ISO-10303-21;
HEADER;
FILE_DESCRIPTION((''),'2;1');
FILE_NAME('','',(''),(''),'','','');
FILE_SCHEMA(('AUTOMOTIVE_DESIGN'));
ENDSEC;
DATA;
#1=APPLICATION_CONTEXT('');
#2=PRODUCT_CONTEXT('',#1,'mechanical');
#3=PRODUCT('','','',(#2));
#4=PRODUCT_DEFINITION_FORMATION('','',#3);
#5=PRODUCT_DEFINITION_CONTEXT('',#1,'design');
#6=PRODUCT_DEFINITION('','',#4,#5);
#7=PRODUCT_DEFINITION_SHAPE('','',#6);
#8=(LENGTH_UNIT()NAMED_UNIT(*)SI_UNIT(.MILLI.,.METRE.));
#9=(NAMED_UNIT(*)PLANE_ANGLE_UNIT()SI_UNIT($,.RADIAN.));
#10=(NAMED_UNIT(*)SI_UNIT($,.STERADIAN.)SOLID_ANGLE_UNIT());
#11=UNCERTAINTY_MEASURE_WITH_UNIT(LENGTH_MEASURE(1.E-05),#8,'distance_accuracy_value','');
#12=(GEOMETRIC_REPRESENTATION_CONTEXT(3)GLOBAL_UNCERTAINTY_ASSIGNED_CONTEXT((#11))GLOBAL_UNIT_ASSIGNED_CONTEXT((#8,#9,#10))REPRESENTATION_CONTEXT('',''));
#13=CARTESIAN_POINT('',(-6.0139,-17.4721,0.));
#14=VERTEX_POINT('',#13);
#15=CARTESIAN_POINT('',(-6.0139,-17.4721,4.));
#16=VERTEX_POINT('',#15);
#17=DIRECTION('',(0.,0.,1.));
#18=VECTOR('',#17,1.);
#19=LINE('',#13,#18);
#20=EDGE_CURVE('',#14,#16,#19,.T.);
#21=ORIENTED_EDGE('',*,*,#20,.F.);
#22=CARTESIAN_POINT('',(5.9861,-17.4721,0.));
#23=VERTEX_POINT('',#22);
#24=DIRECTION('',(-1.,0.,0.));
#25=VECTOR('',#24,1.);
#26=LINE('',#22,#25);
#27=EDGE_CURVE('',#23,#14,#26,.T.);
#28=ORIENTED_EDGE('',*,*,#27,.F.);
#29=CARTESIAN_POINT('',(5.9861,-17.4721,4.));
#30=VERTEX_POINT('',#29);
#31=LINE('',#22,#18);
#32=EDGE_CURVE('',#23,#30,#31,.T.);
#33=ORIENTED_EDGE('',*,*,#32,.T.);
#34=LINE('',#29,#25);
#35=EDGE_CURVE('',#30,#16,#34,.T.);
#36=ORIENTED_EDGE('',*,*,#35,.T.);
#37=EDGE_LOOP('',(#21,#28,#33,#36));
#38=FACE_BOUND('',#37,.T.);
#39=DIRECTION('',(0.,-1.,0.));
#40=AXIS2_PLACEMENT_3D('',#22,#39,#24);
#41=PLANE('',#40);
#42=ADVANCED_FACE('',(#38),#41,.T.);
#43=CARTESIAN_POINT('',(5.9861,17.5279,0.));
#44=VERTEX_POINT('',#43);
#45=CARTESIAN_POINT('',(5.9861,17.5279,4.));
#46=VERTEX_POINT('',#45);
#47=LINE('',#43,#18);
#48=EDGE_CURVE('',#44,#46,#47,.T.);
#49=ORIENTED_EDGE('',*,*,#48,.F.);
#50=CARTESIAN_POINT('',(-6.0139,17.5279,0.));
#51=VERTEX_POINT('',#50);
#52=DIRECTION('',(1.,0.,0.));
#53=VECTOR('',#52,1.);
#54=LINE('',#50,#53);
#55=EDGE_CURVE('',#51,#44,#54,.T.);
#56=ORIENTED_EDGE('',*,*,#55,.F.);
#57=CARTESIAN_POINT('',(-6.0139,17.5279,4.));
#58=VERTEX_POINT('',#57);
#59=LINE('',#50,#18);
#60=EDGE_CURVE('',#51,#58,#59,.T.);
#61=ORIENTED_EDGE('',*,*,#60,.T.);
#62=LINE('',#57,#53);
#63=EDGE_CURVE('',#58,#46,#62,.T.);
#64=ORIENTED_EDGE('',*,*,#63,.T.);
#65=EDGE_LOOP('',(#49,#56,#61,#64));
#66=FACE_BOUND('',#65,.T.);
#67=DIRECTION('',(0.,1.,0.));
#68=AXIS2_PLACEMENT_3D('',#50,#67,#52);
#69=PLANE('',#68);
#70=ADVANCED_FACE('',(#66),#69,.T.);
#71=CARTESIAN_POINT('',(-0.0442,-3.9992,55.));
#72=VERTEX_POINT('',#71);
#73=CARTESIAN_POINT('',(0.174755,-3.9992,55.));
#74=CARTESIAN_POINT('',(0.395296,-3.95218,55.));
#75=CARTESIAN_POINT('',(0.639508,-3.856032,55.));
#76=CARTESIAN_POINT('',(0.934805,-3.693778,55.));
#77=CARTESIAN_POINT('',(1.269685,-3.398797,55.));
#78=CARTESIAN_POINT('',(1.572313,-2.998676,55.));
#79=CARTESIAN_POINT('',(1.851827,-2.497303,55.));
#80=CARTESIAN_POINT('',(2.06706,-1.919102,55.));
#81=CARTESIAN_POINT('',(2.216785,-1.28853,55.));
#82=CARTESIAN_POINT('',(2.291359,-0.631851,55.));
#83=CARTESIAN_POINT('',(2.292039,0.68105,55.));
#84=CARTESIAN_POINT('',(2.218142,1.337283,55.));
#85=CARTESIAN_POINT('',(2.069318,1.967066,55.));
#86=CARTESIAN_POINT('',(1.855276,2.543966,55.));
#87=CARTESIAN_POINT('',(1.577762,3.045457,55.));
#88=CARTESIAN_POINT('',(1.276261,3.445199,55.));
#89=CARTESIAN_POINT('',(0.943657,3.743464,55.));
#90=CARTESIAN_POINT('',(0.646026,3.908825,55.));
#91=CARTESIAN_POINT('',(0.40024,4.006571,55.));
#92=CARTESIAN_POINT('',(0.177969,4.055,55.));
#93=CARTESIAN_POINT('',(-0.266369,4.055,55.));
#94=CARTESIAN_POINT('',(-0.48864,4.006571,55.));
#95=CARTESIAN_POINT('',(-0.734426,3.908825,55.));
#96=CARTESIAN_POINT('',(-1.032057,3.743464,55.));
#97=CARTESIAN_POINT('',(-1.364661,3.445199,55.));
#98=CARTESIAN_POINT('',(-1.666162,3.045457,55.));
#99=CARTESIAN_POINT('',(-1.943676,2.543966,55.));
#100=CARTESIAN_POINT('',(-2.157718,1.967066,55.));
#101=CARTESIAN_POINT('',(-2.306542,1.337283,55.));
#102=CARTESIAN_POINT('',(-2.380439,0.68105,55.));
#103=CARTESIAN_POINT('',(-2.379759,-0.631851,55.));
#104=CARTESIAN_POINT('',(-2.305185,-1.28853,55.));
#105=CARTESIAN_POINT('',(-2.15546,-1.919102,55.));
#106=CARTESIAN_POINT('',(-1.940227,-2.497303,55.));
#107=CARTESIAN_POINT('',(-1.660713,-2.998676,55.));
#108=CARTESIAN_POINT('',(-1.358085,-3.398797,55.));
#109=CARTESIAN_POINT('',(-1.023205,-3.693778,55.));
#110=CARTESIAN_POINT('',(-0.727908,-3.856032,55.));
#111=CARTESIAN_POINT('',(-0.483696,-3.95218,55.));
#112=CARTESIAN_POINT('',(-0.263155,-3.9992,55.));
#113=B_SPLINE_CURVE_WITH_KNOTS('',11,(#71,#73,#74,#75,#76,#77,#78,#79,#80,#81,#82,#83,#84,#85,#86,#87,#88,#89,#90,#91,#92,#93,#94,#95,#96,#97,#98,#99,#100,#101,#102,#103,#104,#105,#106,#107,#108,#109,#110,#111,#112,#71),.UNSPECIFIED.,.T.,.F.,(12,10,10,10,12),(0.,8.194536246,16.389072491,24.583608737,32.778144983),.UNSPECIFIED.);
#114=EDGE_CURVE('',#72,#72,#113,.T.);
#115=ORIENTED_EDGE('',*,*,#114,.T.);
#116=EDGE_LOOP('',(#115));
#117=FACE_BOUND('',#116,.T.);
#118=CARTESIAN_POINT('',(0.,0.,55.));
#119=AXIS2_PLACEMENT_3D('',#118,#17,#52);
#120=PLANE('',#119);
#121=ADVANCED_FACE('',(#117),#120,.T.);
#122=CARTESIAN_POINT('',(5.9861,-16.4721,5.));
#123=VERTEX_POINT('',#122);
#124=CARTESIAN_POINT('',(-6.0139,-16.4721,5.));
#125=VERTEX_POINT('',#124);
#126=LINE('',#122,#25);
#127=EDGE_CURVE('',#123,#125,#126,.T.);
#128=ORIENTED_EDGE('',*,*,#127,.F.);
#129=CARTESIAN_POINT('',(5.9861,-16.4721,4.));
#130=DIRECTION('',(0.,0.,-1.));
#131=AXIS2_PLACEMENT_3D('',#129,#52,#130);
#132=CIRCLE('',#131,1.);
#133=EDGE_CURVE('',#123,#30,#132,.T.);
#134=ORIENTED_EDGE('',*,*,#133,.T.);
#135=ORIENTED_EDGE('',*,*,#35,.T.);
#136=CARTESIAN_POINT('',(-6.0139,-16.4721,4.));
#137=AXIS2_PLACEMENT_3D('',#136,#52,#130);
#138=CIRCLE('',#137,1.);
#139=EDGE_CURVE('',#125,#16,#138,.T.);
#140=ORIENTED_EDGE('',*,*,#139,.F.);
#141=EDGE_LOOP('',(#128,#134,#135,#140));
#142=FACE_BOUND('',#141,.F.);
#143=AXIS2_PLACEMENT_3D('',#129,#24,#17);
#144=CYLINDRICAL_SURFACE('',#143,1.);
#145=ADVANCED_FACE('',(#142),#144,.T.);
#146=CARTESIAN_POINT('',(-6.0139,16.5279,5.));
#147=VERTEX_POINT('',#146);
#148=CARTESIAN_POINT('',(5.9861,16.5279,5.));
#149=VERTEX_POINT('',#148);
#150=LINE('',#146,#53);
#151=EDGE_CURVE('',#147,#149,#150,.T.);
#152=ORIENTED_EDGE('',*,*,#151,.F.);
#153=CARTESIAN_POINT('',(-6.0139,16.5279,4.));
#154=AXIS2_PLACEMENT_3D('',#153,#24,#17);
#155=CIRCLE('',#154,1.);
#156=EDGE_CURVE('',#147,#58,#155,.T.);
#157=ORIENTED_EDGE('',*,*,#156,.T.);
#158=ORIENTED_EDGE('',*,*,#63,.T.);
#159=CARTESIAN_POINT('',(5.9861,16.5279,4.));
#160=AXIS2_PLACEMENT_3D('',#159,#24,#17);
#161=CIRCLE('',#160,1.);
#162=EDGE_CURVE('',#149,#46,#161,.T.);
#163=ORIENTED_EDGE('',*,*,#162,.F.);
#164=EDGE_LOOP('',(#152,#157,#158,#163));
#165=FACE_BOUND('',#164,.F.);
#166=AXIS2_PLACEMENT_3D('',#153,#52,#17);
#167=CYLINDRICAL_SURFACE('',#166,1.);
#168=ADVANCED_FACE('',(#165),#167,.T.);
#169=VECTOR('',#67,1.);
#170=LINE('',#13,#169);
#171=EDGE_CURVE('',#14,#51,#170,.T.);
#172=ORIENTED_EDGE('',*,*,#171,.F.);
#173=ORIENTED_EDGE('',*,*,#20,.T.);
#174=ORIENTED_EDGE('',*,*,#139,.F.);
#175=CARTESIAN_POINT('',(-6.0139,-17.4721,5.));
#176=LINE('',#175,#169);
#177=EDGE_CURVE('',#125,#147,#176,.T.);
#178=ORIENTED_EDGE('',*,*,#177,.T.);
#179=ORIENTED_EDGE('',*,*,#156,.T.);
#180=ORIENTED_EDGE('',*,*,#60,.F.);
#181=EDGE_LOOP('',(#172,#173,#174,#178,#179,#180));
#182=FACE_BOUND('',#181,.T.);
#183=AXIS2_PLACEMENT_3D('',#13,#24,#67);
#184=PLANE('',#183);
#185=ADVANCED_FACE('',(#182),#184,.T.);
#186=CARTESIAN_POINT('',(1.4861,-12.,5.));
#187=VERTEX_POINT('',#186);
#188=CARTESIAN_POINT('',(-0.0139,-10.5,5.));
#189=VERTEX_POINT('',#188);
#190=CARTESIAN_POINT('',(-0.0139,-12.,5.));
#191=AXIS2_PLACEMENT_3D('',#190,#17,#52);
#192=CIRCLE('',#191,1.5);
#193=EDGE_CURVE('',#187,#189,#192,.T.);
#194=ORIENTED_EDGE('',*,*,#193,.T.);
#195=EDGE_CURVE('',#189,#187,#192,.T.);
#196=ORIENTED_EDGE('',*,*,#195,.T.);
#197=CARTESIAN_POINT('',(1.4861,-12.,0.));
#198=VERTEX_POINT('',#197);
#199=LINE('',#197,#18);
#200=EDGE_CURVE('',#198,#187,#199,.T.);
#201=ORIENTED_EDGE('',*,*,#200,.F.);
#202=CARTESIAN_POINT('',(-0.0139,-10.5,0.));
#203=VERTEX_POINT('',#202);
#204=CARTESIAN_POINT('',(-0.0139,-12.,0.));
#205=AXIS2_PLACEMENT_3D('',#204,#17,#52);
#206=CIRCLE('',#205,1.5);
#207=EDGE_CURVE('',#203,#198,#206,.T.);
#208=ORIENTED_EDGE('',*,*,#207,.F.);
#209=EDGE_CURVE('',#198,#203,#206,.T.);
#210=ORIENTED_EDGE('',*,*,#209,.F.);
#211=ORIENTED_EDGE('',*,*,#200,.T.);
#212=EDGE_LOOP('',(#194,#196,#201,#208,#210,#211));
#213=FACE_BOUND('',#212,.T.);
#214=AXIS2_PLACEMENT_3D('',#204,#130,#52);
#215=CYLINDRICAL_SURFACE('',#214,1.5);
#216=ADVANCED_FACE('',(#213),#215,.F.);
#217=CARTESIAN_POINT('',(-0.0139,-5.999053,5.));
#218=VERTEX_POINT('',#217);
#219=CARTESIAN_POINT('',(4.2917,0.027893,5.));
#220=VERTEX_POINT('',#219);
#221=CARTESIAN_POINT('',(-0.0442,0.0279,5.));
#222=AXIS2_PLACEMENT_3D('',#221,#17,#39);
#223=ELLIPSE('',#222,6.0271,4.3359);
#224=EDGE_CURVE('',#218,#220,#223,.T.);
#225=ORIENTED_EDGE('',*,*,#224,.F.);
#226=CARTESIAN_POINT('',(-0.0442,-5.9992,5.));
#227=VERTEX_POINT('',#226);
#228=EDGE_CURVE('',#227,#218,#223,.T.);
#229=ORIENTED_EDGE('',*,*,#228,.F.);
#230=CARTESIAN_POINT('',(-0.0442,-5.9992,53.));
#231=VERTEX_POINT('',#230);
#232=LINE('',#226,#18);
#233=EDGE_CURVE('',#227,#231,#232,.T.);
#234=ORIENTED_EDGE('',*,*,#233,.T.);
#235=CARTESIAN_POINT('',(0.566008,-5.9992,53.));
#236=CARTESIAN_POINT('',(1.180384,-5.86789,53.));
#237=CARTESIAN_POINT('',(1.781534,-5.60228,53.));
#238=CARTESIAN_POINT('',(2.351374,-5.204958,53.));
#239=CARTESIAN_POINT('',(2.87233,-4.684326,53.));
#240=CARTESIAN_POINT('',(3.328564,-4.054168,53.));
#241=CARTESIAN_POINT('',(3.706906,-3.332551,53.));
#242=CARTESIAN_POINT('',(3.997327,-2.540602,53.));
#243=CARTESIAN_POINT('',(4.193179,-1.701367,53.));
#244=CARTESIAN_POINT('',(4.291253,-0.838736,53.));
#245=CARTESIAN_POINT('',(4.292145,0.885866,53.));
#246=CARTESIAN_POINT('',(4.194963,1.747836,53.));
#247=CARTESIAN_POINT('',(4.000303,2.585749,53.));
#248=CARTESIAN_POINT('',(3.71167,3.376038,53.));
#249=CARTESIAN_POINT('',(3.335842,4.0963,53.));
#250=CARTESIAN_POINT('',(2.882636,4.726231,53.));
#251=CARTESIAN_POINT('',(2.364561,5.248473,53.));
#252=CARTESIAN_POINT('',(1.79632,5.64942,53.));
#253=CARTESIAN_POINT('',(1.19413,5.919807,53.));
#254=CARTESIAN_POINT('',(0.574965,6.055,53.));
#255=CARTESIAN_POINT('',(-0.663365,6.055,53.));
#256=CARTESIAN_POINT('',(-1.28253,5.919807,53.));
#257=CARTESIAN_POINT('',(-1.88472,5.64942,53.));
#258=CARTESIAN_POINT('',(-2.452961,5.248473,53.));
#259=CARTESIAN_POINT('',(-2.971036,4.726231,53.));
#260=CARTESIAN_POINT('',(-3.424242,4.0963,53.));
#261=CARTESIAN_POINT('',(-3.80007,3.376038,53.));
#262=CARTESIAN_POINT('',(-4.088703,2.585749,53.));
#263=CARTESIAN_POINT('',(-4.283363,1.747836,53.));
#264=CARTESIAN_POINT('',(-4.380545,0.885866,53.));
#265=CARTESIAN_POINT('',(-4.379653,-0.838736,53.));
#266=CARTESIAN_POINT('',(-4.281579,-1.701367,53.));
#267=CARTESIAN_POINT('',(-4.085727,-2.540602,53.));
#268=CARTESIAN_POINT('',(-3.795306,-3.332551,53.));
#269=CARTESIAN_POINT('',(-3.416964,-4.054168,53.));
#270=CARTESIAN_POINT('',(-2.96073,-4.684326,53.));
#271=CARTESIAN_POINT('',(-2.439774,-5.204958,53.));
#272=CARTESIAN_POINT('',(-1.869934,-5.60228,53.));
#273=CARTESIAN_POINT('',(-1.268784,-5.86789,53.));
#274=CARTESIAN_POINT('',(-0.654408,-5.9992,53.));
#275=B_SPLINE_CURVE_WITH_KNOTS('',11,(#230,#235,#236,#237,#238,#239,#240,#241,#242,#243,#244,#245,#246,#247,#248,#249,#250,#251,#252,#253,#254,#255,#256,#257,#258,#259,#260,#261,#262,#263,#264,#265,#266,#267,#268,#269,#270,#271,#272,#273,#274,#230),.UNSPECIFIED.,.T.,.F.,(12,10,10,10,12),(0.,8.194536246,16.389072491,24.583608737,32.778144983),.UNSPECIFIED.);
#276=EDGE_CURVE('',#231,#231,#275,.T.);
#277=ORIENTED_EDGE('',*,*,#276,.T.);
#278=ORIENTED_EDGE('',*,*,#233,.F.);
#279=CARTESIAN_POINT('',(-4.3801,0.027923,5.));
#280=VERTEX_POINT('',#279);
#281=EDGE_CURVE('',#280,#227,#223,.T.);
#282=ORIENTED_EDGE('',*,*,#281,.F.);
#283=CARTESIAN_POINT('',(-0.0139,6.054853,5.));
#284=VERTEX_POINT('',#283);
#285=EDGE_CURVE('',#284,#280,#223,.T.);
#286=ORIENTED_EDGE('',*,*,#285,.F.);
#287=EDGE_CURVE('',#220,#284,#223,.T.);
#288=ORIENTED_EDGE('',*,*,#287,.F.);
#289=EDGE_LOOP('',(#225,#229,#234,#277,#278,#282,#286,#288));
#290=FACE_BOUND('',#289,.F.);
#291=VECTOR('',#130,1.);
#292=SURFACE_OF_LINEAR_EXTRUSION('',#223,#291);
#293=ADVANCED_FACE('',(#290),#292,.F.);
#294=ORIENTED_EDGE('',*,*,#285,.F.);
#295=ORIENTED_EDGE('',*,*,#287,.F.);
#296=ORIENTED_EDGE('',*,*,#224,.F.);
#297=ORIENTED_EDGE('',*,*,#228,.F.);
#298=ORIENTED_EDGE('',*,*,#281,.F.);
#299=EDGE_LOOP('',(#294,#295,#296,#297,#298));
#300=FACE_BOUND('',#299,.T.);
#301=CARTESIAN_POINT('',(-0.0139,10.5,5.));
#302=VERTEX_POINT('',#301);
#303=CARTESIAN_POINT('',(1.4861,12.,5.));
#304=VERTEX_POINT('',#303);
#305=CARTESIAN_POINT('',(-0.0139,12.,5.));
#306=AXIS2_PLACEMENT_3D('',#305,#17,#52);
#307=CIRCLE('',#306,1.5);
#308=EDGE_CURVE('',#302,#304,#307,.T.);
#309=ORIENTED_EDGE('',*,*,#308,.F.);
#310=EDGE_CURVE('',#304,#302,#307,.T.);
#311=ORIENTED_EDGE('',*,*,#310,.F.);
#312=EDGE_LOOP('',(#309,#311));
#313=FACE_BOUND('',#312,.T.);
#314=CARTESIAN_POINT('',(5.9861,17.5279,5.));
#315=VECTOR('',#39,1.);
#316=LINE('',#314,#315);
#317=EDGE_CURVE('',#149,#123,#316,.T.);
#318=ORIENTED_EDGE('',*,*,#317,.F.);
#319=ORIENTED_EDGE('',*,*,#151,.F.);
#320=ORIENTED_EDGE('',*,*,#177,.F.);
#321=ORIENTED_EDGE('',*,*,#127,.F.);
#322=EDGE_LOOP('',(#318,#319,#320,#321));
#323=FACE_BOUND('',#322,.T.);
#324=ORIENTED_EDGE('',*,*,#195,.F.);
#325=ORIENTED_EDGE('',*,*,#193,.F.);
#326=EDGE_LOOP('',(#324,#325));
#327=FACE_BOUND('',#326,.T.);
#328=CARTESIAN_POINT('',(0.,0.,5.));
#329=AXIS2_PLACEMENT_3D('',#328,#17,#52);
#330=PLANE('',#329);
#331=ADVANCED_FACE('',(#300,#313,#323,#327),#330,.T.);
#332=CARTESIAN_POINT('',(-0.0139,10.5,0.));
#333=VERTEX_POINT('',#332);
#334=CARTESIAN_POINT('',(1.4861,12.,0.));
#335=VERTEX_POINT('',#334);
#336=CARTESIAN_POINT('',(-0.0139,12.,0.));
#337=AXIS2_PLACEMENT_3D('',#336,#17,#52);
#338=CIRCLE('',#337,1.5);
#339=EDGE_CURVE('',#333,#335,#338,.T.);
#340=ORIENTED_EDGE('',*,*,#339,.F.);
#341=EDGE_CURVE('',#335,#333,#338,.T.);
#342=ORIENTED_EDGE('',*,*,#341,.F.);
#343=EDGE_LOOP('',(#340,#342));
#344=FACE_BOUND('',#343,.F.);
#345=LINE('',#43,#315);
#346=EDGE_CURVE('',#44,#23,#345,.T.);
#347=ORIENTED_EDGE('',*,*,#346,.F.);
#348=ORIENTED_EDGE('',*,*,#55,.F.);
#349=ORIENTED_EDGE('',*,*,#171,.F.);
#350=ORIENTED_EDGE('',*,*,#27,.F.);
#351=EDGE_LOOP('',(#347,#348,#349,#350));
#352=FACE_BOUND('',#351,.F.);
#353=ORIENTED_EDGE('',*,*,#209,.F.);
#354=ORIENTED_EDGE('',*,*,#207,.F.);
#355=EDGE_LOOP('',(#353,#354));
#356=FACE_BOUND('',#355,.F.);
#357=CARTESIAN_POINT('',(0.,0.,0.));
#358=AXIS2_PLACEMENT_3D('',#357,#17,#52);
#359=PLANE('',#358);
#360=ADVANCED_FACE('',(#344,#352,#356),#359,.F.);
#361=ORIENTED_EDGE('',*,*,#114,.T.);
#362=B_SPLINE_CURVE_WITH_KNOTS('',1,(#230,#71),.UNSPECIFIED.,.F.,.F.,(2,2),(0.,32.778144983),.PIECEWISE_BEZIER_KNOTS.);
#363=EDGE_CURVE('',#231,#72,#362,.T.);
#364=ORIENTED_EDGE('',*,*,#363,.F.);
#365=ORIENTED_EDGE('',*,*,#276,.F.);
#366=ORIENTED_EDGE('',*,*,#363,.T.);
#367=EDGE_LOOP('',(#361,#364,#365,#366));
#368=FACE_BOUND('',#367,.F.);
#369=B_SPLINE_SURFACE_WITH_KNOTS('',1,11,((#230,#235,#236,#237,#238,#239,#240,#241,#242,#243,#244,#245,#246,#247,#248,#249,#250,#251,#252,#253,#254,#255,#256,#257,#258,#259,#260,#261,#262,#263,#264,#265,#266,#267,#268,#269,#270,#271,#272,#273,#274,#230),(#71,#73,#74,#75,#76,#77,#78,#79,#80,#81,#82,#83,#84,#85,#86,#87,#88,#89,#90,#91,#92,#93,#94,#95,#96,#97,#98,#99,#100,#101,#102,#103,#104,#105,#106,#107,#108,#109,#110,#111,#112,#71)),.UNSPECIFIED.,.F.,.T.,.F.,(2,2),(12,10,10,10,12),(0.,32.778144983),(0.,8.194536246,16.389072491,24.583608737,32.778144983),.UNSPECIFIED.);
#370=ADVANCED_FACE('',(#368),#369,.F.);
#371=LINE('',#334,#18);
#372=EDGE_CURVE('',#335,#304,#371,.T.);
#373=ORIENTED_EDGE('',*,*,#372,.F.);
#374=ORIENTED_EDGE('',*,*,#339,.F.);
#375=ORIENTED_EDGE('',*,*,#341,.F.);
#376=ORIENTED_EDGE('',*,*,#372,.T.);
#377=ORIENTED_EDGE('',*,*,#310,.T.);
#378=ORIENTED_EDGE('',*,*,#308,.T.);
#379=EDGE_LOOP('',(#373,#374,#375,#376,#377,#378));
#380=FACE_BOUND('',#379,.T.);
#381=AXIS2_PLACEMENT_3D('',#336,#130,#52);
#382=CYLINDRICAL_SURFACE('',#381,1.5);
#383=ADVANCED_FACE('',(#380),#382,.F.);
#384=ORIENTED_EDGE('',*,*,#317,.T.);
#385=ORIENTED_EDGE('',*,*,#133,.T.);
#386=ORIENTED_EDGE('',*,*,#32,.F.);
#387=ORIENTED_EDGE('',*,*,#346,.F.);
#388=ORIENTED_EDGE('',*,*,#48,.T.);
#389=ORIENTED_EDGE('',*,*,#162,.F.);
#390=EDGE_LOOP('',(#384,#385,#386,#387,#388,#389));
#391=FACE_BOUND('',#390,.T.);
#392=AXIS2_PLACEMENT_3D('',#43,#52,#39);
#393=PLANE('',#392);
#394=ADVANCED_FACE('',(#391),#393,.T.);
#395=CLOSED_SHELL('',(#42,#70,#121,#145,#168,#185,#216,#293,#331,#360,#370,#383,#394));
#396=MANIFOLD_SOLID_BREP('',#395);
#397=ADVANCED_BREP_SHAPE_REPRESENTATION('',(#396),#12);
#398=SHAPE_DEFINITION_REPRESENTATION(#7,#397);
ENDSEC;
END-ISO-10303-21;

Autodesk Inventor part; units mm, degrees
ref_plane "YZ Plane" through (0, 0, 0) normal (1, 0, 0) x (0, 1, 0)
ref_plane "XZ Plane" through (0, 0, 0) normal (0, 1, 0) x (-1, 0, 0)
ref_plane "XY Plane" through (0, 0, 0) normal (0, 0, 1) x (1, 0, 0)
sketch "Sketch1" plane through (0, 0, 0) normal (0, 0, 1) x (1, 0, 0)
  circle A0 centre (-0.0139, -12) radius 1.5
  circle A1 centre (-0.0139, 12) radius 1.5
  line L0 (-6.0139, 17.5279) -> (5.9861, 17.5279)
  line L1 (5.9861, 17.5279) -> (5.9861, -17.4721)
  line L2 (5.9861, -17.4721) -> (-6.0139, -17.4721)
  line L3 (-6.0139, -17.4721) -> (-6.0139, 17.5279)
  line L4 (-0.0139, 12) -> (-0.0139, -12)
  line L5 (-0.0139, 12) -> (-0.0139, 5.686)
  ellipse E0 centre (-0.0442, 0.0279) end of major axis (-0.0442, 6.0549) minor radius 4.3359
  point P0 (0, 0)
  point P1 (-0.0139, -12)
  point P2 (-0.0139, 17.5279)
  dimension "d0" = 0
  dimension "d12" = 24
  dimension "d13" = 12
extrude "Extrusion1" add sketch "Sketch1" along normal blind 5
sketch "Sketch2" plane through (0, 0, 5) normal (0, 0, 1) x (1, 0, 0)
  ellipse E0 centre (-0.0442, 0.0279) end of major axis (-0.0442, -5.9992) minor radius 4.3359 projected
  point P0 (0, 0)
extrude "Extrusion2" add sketch "Sketch2" along normal blind 50 and the other way blind 5
chamfer "Chamfer1" distance 2 angle 45 1 edges at (-0.0442, 6.0549, 55)
fillet "Fillet1" radius 1 1 edges at (-0.0139, 17.5279, 5)
fillet "Fillet2" radius 1 1 edges at (-0.0139, -17.4721, 5)
sketch "Sketch3" plane through (0, 0, 5) normal (0, 0, 1) x (1, 0, 0)
  point P0 (0, 0)
sketch "Sketch4" plane through (0, 0, 5) normal (0, 0, 1) x (1, 0, 0)
  point P0 (0, 0)
sketch "Sketch5" plane through (0, 0, 5) normal (0, 0, 1) x (1, 0, 0)
  point P0 (0, 0)
properties part number "apoioM-mod"
